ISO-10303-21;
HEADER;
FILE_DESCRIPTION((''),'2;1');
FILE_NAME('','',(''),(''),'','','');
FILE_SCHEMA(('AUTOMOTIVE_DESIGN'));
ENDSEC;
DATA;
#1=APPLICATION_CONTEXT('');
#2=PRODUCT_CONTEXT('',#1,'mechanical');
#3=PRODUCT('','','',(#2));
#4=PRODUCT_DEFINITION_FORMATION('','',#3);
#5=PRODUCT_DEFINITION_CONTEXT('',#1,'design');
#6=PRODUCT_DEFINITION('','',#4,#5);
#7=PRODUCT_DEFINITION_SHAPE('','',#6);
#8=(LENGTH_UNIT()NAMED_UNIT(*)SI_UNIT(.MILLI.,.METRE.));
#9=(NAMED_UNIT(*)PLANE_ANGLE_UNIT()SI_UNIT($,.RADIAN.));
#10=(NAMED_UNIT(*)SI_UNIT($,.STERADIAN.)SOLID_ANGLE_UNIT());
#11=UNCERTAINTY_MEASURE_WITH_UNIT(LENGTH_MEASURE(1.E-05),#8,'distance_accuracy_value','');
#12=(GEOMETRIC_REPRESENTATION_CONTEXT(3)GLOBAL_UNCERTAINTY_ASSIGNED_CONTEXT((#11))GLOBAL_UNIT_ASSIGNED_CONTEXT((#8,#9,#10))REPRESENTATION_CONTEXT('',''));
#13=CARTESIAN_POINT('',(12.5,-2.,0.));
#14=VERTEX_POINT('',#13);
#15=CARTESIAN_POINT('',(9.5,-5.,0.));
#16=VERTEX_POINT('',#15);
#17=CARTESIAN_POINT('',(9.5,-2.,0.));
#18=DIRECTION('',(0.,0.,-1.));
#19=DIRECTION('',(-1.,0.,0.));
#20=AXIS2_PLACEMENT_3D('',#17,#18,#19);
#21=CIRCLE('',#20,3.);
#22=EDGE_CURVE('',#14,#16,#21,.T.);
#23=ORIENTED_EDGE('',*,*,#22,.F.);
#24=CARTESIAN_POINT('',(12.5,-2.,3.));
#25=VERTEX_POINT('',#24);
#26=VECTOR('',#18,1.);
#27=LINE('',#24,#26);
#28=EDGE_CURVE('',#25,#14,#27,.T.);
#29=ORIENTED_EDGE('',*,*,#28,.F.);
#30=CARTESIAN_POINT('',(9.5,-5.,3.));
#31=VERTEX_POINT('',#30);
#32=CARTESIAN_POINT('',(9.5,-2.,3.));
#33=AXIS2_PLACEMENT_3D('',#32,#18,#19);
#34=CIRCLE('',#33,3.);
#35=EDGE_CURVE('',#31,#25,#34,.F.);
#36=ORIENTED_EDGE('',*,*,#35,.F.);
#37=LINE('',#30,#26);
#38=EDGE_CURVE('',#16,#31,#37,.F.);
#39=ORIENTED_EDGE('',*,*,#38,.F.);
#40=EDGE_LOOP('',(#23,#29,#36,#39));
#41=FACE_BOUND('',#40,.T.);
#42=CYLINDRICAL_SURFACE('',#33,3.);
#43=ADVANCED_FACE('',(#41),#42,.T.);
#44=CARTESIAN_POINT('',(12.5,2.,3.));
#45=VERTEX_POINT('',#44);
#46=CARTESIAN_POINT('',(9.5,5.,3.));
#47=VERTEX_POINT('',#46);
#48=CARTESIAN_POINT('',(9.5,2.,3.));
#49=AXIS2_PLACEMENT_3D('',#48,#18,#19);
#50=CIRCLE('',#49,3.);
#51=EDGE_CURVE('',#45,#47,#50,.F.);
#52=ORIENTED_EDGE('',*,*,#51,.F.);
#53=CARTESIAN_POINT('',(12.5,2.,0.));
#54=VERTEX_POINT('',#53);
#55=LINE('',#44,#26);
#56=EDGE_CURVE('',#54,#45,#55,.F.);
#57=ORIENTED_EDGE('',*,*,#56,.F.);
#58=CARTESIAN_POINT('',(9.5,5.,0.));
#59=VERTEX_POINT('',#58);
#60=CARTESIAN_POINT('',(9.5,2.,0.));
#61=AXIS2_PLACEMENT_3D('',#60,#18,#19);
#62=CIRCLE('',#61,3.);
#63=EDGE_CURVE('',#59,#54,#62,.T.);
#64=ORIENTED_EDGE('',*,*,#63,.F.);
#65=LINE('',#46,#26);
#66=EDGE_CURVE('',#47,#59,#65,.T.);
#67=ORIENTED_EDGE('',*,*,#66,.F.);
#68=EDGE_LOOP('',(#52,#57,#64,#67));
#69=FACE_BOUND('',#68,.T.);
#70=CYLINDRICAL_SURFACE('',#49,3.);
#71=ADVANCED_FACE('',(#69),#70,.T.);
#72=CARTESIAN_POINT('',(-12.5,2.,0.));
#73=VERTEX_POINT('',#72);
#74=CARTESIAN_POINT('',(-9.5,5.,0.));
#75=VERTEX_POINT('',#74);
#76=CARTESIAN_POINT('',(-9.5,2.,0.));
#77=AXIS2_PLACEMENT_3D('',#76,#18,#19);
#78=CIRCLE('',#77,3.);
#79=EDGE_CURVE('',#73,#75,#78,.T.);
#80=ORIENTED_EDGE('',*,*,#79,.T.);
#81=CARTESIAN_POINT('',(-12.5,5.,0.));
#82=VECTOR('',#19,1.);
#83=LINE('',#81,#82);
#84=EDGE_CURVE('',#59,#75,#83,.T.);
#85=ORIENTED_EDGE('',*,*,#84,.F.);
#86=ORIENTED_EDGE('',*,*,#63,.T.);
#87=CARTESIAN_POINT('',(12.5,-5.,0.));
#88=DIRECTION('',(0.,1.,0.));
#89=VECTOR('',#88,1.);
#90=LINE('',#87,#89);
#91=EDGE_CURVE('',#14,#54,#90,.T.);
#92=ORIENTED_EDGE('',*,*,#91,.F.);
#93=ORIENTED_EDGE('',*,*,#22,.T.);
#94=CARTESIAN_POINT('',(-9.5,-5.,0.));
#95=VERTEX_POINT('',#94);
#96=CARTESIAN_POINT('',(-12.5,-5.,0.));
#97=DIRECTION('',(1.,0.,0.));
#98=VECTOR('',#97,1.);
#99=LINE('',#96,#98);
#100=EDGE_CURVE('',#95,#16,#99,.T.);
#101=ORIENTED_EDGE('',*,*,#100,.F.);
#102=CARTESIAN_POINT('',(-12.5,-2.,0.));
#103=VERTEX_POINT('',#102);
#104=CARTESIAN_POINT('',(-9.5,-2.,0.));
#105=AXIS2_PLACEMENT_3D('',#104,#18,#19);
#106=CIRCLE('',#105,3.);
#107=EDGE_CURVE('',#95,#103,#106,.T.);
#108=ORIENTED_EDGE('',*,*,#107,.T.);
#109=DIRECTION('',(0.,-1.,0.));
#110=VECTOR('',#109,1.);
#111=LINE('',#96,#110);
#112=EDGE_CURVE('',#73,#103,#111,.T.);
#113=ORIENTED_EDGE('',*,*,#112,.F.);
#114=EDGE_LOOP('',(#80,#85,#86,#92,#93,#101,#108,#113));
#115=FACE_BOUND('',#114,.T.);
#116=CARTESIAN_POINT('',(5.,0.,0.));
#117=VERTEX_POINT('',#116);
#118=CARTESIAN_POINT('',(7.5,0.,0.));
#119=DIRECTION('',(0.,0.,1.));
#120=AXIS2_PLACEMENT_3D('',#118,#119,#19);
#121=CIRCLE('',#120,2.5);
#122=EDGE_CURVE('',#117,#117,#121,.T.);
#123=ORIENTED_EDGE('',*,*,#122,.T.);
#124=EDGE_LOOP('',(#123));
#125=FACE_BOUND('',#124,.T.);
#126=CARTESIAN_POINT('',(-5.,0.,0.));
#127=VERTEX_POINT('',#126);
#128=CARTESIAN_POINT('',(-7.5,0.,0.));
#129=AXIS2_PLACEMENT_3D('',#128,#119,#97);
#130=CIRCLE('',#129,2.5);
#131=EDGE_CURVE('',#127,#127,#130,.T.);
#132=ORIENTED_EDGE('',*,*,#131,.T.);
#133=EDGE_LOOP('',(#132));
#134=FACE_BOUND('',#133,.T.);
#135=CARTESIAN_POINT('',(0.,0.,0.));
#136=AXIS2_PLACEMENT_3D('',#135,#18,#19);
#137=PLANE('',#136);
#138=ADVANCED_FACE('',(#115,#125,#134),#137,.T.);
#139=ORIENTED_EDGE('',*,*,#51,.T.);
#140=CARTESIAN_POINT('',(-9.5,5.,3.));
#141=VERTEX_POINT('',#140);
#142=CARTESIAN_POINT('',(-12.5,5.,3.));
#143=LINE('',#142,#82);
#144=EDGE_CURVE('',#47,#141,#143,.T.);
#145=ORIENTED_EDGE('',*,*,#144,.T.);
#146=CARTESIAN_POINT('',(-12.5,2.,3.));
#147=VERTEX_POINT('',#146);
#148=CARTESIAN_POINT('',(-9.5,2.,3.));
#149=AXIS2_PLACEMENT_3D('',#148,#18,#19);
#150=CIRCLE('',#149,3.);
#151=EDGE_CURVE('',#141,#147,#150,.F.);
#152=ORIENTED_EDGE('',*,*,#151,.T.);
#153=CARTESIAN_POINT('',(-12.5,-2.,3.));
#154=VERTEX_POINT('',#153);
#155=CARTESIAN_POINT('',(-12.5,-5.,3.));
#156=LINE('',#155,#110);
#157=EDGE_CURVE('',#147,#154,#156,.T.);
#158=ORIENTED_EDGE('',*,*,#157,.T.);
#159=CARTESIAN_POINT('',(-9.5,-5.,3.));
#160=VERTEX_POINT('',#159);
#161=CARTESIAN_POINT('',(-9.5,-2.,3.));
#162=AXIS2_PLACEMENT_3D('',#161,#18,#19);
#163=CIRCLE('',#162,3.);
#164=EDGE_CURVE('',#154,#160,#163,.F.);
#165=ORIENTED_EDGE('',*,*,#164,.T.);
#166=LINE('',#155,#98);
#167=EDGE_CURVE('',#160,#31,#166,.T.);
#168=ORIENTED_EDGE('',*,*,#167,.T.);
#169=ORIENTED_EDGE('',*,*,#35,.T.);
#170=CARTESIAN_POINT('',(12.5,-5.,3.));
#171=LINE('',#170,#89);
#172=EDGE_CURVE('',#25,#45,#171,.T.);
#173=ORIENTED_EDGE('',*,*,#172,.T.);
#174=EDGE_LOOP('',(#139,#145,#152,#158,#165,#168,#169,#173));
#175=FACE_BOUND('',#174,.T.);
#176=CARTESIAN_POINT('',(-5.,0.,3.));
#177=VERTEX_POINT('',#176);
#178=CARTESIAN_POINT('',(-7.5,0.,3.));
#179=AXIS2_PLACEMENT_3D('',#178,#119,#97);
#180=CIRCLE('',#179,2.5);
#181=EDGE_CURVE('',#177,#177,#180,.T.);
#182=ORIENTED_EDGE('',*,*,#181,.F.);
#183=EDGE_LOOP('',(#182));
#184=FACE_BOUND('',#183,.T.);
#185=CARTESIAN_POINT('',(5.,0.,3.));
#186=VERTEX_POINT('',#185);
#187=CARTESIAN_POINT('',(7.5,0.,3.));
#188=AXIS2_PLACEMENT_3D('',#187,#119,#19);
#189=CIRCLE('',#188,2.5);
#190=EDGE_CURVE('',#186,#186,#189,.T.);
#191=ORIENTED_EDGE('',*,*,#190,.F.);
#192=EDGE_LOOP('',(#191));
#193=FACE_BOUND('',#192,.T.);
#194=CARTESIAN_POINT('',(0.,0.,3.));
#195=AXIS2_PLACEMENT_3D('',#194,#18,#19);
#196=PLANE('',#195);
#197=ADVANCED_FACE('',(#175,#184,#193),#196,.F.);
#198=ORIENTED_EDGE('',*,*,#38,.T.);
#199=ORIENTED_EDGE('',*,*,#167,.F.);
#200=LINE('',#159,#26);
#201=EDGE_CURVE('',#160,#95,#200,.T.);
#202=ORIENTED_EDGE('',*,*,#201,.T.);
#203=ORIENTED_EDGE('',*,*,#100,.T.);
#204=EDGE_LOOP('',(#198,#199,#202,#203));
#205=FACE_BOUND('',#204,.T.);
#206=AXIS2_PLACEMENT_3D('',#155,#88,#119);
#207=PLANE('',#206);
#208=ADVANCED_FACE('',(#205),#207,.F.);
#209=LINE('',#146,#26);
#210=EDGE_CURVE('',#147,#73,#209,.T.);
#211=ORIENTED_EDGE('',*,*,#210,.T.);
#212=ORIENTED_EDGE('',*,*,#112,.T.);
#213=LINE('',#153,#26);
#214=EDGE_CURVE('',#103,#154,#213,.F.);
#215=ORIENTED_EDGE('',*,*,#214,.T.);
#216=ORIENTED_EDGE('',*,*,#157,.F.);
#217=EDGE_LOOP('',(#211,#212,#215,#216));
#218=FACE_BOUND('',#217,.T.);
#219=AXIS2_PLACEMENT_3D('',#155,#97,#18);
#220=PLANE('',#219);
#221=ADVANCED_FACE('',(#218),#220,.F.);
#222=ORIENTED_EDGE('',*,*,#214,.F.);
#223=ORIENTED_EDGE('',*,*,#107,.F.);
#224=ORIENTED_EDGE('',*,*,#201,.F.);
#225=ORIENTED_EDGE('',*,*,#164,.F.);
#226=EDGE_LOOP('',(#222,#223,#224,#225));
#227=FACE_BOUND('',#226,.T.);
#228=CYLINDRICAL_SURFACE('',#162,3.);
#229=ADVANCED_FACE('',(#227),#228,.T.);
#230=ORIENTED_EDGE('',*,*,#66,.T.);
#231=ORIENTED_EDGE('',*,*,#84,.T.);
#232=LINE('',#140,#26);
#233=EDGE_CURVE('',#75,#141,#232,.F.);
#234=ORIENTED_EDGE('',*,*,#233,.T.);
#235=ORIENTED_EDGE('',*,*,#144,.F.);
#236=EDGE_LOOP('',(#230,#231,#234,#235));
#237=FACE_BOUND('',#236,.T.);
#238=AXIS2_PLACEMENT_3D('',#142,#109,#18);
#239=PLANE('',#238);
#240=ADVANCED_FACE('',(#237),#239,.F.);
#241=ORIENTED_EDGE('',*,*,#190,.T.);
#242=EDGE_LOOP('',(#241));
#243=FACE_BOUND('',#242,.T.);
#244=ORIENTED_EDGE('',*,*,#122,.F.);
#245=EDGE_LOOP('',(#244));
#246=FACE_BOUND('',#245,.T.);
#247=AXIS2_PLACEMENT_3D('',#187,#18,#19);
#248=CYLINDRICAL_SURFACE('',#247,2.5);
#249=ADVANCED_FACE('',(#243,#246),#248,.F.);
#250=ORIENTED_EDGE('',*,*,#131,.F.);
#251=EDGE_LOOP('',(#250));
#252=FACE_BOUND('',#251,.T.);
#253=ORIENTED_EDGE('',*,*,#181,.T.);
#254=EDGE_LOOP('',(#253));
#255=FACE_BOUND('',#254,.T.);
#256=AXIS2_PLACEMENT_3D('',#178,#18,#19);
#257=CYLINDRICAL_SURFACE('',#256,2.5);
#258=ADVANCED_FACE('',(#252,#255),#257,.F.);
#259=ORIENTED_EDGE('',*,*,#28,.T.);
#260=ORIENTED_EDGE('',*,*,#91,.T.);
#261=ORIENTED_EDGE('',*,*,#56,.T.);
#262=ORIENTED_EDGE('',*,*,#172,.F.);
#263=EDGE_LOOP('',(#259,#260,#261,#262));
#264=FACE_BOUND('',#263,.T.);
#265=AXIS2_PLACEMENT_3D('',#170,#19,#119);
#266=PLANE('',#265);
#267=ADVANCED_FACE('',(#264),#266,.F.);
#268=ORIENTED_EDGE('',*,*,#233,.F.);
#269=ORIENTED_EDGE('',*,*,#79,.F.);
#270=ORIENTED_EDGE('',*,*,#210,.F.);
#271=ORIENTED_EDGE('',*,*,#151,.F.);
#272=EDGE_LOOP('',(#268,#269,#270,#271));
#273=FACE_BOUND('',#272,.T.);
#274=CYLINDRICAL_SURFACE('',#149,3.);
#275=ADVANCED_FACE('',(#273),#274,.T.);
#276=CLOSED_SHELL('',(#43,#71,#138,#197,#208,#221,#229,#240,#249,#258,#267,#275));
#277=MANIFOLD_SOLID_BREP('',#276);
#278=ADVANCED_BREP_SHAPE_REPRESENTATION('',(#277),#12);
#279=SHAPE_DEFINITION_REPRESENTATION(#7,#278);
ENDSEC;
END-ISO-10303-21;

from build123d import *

# Parameters (mm, degrees)
SKETCH_1_W      = 25
SKETCH_1_H      = 10
SKETCH_1_R      = 2.5
EXTRUDE_1_DEPTH = 3
FILLET_1_R      = 3


with BuildPart() as part:
    # 草图1 → 凸台-拉伸1 (new body)
    with BuildSketch(Plane.XY):
        Rectangle(SKETCH_1_W, SKETCH_1_H)
        with Locations((-7.5, 0)):
            Circle(SKETCH_1_R, mode=Mode.SUBTRACT)
        with Locations(Location((7.5, 0, 0), (0, 0, 180))):
            Circle(SKETCH_1_R, mode=Mode.SUBTRACT)
    extrude(amount=EXTRUDE_1_DEPTH)

    # 圆角1
    fillet_1_edges = [part.edges().sort_by_distance(p)[0] for p in [
        (12.5, -5, 1.5),
        (-12.5, -5, 1.5),
        (-12.5, 5, 1.5),
        (12.5, 5, 1.5),
    ]]
    fillet(fillet_1_edges, radius=FILLET_1_R)


solid = part.part
